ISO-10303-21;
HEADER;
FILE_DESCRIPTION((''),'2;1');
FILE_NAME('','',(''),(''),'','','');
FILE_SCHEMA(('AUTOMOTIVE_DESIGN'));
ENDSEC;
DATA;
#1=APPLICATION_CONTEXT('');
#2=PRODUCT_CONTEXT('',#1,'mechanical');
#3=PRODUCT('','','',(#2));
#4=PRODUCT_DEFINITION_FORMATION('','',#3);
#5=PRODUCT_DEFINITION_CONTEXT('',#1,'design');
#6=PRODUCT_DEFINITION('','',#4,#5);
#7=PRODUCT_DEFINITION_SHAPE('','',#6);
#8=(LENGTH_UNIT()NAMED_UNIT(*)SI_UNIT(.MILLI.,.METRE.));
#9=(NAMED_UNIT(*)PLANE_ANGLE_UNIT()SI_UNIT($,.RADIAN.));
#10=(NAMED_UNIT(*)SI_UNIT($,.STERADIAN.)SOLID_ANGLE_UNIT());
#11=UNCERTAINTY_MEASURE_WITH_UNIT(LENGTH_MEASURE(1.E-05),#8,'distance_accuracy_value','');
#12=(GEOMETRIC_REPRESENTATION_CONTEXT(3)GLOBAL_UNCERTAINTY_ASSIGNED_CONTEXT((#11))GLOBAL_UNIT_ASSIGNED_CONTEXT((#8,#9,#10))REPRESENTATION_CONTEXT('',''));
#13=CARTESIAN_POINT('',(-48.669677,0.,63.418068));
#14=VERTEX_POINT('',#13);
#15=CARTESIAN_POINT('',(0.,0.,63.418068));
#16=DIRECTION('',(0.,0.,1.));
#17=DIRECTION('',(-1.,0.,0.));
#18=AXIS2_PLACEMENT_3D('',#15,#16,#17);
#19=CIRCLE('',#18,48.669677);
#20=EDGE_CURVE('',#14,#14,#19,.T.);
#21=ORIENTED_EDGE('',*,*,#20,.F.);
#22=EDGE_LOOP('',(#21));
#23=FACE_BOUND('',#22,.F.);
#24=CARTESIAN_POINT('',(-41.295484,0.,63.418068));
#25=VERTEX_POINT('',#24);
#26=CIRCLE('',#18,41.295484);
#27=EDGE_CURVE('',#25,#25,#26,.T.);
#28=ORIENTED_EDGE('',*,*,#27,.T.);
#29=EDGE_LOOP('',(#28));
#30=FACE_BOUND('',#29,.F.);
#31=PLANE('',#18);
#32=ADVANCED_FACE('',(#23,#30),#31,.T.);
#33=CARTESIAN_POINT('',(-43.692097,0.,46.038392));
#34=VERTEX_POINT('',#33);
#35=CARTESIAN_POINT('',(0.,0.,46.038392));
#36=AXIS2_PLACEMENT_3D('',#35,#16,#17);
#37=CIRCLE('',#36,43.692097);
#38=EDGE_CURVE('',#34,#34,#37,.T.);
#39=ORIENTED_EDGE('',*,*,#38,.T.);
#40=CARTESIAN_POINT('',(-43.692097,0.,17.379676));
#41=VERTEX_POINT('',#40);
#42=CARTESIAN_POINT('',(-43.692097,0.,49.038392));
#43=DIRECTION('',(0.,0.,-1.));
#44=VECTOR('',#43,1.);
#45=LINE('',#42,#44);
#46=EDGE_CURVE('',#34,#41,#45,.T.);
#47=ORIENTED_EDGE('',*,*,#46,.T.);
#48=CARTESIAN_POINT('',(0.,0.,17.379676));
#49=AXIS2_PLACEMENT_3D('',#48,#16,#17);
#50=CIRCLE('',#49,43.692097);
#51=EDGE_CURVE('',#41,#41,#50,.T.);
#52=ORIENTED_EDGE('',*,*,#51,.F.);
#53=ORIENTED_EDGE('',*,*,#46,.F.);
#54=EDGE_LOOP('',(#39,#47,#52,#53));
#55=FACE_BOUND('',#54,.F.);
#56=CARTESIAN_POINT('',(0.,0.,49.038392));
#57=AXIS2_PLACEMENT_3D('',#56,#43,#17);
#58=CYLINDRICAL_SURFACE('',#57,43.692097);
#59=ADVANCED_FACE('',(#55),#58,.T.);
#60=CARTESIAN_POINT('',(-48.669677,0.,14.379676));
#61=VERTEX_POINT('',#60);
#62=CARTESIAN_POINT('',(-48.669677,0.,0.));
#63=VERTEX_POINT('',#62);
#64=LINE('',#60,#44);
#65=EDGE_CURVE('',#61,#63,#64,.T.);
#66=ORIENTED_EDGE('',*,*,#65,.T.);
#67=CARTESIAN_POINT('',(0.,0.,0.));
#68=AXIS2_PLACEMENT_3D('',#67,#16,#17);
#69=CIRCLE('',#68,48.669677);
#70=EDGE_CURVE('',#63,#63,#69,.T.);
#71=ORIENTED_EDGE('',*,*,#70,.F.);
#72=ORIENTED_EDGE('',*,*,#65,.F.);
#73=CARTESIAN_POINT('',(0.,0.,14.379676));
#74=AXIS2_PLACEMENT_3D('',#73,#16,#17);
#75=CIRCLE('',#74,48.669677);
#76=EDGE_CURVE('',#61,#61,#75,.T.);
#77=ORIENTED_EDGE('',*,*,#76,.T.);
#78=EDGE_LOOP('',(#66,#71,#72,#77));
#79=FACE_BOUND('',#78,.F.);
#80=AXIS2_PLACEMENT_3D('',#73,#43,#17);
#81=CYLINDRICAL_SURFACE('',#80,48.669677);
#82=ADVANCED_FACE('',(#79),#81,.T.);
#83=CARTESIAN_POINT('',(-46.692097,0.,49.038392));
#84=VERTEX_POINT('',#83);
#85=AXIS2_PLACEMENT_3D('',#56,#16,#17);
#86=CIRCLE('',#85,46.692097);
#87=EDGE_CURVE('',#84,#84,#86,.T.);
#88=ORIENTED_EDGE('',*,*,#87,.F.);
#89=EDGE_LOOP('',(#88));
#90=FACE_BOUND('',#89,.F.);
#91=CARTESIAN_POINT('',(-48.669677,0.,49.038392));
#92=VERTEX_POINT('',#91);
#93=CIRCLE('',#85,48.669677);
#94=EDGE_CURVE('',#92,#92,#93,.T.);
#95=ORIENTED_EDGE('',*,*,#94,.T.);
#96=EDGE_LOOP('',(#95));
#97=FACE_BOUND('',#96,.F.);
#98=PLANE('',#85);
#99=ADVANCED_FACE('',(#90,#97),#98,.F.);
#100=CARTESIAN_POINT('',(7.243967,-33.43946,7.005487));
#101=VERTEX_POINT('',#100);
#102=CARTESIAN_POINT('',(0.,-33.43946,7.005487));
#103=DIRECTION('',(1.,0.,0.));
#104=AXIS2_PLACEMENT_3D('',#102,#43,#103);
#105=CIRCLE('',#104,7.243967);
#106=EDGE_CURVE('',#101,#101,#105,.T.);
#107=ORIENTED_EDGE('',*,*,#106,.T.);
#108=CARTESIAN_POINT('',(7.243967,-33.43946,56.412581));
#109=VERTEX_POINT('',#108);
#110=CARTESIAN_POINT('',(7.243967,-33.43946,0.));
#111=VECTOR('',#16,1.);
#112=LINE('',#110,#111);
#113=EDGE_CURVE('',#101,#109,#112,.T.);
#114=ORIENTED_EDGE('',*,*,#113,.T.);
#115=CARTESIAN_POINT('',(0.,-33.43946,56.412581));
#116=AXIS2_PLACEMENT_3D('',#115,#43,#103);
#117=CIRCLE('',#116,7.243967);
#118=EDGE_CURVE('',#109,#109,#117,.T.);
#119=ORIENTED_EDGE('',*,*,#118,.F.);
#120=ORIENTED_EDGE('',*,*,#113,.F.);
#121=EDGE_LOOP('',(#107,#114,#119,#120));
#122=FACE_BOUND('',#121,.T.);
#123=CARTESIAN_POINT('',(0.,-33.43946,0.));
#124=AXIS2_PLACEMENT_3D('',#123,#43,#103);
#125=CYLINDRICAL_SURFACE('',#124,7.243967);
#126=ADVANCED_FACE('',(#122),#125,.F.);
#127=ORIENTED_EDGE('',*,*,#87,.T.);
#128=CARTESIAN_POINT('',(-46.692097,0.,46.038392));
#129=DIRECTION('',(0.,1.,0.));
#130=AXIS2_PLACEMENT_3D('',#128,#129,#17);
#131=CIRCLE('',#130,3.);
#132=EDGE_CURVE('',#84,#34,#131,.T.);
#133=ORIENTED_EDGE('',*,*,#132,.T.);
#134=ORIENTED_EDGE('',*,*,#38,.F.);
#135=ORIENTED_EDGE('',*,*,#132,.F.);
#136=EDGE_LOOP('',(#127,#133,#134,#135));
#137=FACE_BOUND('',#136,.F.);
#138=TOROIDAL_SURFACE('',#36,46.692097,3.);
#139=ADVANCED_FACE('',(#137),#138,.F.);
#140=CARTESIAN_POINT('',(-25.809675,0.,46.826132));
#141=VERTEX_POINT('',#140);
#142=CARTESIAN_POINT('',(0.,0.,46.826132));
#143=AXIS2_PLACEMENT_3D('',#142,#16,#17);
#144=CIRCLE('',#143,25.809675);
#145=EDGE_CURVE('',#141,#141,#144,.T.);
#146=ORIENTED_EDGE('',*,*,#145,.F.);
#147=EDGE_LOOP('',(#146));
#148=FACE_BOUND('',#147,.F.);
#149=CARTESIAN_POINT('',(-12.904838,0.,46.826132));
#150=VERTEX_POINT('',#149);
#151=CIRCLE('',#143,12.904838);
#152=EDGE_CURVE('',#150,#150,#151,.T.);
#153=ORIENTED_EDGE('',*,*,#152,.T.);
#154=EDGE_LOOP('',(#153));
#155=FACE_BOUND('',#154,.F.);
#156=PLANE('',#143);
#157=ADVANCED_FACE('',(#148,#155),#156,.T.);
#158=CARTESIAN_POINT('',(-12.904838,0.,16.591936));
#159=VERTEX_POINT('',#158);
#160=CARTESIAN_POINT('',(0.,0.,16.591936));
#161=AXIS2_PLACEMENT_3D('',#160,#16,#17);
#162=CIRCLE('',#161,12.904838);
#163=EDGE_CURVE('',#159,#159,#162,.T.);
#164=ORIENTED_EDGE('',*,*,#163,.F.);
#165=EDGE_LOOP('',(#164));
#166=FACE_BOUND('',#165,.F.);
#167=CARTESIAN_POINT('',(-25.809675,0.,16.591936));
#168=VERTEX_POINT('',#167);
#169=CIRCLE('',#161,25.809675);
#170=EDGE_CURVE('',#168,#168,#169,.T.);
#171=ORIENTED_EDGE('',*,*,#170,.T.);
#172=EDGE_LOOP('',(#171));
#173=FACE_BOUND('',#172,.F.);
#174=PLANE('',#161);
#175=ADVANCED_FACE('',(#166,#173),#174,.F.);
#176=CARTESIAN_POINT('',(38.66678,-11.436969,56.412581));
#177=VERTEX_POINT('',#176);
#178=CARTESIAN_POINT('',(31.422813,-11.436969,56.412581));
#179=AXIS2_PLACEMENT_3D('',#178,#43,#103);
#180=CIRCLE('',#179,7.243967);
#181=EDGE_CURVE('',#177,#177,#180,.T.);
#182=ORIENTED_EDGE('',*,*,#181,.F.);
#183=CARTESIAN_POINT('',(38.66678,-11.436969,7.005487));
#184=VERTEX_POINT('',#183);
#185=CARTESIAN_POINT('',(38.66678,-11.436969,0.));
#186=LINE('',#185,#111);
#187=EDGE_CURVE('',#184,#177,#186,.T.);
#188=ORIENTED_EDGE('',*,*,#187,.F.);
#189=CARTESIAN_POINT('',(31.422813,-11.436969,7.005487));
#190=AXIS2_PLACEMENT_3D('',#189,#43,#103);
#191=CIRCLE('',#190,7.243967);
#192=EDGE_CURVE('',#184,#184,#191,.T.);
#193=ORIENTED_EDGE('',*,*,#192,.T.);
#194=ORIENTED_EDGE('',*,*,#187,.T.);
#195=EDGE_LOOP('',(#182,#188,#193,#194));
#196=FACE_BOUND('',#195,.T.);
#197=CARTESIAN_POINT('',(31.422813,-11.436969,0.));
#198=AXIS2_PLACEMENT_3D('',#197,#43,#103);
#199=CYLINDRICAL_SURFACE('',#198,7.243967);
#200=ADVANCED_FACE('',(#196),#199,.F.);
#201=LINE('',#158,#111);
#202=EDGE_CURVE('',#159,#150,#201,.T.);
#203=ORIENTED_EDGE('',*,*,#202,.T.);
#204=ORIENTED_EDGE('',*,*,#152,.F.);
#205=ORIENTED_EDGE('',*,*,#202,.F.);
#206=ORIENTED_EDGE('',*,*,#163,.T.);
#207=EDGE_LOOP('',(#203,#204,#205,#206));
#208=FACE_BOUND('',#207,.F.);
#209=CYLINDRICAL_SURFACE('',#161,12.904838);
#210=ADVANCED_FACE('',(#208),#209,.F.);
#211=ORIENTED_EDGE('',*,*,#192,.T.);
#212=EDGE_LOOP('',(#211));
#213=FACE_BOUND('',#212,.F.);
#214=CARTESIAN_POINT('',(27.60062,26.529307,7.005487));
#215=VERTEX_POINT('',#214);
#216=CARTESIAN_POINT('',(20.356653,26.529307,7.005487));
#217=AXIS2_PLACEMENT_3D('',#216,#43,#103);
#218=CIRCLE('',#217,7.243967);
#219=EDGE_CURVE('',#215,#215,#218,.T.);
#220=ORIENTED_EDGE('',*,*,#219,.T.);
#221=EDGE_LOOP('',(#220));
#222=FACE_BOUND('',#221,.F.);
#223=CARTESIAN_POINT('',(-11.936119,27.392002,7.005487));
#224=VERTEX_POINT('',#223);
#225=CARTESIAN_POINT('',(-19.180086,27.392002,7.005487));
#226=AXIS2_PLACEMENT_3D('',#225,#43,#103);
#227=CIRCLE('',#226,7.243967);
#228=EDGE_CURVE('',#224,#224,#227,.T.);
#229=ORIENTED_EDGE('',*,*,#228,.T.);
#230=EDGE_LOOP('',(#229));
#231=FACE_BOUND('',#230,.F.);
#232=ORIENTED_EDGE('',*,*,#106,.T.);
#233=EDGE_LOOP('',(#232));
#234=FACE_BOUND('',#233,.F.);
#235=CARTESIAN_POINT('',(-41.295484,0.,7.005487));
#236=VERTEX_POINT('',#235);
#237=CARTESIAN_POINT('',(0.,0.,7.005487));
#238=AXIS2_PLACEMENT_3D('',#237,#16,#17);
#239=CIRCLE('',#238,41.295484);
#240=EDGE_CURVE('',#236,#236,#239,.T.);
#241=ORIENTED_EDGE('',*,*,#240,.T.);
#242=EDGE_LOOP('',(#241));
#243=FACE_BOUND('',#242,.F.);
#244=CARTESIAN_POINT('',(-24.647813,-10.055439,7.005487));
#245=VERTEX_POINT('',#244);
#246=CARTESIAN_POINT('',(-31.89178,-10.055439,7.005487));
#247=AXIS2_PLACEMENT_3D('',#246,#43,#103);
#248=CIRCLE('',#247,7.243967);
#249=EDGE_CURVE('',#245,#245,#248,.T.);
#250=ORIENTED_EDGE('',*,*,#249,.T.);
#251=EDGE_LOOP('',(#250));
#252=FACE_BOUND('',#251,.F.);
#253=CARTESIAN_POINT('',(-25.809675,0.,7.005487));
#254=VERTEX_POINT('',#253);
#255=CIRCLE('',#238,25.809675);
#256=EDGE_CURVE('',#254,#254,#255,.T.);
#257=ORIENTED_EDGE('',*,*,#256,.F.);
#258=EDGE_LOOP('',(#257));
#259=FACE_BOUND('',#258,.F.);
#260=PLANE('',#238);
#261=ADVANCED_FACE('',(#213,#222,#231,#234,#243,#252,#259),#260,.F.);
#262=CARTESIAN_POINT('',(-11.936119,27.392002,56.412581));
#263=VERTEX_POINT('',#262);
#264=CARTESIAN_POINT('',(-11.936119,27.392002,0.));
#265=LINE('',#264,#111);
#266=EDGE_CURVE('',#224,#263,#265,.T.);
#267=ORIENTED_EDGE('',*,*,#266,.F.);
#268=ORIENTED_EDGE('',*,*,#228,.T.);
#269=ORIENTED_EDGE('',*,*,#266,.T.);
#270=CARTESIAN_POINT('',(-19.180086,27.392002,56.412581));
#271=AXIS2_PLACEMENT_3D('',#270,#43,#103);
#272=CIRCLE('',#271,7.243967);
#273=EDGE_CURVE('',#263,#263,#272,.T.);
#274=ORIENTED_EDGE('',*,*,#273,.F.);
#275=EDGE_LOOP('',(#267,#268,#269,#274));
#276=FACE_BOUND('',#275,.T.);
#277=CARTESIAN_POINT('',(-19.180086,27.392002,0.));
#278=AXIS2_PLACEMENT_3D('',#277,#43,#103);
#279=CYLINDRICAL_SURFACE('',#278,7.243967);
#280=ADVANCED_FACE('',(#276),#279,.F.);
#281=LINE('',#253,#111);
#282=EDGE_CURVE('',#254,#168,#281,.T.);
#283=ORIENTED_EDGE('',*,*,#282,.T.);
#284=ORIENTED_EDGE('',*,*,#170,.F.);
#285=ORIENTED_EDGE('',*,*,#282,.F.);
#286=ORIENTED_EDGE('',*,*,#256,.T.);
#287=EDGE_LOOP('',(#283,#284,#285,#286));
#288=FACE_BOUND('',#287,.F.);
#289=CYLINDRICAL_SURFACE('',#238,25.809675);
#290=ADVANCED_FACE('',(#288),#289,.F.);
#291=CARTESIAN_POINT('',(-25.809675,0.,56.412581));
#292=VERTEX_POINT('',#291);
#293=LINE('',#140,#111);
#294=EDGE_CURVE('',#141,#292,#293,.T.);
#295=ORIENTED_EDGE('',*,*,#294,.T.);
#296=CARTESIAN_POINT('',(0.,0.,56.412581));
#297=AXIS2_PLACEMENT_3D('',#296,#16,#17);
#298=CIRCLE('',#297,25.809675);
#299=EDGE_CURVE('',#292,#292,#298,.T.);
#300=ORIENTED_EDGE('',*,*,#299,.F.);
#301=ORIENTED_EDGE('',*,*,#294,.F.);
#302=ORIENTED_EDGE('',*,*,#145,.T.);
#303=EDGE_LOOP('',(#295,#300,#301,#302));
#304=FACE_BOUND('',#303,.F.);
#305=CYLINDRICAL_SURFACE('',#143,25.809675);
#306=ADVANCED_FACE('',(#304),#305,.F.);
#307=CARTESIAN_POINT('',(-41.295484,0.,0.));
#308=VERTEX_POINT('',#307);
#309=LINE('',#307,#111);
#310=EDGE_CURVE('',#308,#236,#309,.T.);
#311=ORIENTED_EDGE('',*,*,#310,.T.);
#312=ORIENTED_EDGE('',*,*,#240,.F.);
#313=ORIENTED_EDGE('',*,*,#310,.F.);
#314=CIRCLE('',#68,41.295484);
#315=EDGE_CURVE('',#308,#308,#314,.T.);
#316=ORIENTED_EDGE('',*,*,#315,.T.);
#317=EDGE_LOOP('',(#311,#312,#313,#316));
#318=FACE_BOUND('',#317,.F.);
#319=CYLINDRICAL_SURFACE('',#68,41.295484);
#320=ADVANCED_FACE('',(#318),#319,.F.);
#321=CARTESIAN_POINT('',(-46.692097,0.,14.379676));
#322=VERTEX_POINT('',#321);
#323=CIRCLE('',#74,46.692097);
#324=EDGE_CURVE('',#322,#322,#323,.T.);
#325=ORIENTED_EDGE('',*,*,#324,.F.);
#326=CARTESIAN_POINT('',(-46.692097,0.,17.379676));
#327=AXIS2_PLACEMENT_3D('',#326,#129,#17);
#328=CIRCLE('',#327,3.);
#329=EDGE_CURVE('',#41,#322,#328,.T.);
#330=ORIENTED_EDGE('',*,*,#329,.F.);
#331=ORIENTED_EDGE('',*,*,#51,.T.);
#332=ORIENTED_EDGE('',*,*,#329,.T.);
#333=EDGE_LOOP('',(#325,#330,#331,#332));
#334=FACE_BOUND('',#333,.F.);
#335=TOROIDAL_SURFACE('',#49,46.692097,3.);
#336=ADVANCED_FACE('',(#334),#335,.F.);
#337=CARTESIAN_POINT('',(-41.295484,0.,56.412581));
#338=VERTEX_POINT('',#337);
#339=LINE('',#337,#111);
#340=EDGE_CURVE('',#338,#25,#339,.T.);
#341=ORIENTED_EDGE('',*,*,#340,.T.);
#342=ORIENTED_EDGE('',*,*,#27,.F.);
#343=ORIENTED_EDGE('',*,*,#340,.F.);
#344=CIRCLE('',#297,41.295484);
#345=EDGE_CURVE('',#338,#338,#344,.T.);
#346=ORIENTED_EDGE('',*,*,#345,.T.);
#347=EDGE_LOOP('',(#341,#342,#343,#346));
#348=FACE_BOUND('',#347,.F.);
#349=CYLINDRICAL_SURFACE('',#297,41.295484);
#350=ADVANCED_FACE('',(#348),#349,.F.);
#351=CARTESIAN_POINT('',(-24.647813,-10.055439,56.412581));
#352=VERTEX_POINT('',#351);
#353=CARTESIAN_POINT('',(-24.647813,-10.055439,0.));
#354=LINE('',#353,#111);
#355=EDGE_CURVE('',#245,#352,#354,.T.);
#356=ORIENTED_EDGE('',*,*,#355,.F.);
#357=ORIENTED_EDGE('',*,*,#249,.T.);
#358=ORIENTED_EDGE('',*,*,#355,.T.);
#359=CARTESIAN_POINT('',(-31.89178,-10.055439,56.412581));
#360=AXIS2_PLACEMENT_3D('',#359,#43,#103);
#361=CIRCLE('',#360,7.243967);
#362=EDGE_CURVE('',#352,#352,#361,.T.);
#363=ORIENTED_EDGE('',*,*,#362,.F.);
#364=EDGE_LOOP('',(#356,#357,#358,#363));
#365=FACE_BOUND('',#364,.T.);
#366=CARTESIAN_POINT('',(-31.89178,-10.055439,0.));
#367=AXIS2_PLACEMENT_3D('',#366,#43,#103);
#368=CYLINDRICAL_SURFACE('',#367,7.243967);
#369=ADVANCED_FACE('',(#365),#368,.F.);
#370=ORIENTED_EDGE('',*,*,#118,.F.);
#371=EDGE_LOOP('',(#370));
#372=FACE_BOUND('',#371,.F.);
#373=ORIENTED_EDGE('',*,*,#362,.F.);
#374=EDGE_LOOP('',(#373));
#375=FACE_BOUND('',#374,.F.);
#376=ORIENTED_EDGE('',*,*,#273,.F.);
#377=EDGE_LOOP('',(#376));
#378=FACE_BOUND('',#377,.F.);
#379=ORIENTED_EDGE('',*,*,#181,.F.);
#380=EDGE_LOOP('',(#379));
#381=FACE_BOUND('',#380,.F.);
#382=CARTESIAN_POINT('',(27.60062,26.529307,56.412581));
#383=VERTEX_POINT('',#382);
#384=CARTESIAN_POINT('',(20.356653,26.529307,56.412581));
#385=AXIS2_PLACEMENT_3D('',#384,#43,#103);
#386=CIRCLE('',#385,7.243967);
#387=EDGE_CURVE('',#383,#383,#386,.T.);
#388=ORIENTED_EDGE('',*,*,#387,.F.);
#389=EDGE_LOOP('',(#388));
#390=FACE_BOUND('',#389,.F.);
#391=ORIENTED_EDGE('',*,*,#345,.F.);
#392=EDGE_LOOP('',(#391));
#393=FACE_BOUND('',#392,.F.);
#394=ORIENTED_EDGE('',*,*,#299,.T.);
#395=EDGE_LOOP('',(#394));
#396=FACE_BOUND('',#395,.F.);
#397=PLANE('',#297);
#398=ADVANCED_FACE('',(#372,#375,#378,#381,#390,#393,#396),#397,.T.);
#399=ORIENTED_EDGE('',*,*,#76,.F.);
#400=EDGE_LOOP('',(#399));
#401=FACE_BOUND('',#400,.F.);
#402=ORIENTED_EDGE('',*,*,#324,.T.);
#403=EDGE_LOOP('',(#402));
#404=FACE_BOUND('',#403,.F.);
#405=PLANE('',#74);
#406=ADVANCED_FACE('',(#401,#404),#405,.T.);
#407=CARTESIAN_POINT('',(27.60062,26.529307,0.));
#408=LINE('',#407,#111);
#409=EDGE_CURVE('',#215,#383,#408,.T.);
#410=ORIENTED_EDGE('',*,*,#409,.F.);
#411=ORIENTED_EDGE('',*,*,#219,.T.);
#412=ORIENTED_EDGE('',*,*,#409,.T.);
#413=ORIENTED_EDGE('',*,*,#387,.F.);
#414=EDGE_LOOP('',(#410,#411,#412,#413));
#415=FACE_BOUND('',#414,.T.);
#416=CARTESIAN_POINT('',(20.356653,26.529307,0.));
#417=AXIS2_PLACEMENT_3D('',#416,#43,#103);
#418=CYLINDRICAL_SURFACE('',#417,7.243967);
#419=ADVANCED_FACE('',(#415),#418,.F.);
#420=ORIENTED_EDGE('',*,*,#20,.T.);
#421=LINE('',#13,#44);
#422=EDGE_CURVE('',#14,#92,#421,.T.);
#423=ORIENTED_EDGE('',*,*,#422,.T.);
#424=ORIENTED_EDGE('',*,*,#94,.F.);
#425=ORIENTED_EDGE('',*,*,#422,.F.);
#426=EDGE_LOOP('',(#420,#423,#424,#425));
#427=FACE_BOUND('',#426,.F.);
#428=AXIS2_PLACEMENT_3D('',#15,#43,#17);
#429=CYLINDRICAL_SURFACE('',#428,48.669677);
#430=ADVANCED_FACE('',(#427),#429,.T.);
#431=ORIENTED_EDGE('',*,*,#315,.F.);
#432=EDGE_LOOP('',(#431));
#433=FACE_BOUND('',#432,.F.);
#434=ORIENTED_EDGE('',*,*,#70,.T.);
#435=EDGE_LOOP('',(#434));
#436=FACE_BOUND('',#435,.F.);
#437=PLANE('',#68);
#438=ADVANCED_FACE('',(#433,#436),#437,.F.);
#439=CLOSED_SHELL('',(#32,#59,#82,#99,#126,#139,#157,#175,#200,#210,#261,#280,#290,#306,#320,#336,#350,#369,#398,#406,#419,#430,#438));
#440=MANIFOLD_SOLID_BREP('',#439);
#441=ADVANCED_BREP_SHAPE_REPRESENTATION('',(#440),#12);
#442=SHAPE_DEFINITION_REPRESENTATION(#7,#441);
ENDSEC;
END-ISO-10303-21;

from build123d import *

# Parameters (mm, degrees)
F2_R     = 3
F3_R     = 3
F4_R     = 7.243967
F5_DEPTH = 105.41


with BuildPart() as f1:
    # F0 (on Front) → F1 (revolve)
    with BuildSketch(Plane.XZ):
        Polygon((-12.904838, 16.591936), (-12.904838, 31.709034), (-12.904838, 46.826132), (-25.809675, 46.826132), (-25.809675, 56.412581), (-41.295484, 56.412581), (-41.295484, 63.418068), (-48.669677, 63.418068), (-48.669677, 49.038392), (-43.692097, 49.038392), (-43.692097, 31.709034), (-43.692097, 14.379676), (-48.669677, 14.379676), (-48.669677, 0), (-41.295484, 0), (-41.295484, 7.005487), (-25.809675, 7.005487), (-25.809675, 16.591936), align=None)
    revolve(axis=Axis((0, 0, 52.264599), (0, 0, 1)))

    # F2
    f2_edges = [f1.edges().sort_by_distance(p)[0] for p in [
        (43.692097, 0, 49.038392),
    ]]
    fillet(f2_edges, radius=F2_R)

    # F3
    f3_edges = [f1.edges().sort_by_distance(p)[0] for p in [
        (43.692097, 0, 14.379676),
    ]]
    fillet(f3_edges, radius=F3_R)

    # F4 (on Top) → F5 (cut)
    with BuildSketch(Plane.XY):
        with Locations((0, -33.43946)):
            Circle(F4_R)
        with Locations((-31.89178, -10.055439)):
            Circle(F4_R)
        with Locations((-19.180086, 27.392002)):
            Circle(F4_R)
        with Locations((20.356653, 26.529307)):
            Circle(F4_R)
        with Locations((31.422813, -11.436969)):
            Circle(F4_R)
    extrude(amount=F5_DEPTH, mode=Mode.SUBTRACT)


solid = f1.part
